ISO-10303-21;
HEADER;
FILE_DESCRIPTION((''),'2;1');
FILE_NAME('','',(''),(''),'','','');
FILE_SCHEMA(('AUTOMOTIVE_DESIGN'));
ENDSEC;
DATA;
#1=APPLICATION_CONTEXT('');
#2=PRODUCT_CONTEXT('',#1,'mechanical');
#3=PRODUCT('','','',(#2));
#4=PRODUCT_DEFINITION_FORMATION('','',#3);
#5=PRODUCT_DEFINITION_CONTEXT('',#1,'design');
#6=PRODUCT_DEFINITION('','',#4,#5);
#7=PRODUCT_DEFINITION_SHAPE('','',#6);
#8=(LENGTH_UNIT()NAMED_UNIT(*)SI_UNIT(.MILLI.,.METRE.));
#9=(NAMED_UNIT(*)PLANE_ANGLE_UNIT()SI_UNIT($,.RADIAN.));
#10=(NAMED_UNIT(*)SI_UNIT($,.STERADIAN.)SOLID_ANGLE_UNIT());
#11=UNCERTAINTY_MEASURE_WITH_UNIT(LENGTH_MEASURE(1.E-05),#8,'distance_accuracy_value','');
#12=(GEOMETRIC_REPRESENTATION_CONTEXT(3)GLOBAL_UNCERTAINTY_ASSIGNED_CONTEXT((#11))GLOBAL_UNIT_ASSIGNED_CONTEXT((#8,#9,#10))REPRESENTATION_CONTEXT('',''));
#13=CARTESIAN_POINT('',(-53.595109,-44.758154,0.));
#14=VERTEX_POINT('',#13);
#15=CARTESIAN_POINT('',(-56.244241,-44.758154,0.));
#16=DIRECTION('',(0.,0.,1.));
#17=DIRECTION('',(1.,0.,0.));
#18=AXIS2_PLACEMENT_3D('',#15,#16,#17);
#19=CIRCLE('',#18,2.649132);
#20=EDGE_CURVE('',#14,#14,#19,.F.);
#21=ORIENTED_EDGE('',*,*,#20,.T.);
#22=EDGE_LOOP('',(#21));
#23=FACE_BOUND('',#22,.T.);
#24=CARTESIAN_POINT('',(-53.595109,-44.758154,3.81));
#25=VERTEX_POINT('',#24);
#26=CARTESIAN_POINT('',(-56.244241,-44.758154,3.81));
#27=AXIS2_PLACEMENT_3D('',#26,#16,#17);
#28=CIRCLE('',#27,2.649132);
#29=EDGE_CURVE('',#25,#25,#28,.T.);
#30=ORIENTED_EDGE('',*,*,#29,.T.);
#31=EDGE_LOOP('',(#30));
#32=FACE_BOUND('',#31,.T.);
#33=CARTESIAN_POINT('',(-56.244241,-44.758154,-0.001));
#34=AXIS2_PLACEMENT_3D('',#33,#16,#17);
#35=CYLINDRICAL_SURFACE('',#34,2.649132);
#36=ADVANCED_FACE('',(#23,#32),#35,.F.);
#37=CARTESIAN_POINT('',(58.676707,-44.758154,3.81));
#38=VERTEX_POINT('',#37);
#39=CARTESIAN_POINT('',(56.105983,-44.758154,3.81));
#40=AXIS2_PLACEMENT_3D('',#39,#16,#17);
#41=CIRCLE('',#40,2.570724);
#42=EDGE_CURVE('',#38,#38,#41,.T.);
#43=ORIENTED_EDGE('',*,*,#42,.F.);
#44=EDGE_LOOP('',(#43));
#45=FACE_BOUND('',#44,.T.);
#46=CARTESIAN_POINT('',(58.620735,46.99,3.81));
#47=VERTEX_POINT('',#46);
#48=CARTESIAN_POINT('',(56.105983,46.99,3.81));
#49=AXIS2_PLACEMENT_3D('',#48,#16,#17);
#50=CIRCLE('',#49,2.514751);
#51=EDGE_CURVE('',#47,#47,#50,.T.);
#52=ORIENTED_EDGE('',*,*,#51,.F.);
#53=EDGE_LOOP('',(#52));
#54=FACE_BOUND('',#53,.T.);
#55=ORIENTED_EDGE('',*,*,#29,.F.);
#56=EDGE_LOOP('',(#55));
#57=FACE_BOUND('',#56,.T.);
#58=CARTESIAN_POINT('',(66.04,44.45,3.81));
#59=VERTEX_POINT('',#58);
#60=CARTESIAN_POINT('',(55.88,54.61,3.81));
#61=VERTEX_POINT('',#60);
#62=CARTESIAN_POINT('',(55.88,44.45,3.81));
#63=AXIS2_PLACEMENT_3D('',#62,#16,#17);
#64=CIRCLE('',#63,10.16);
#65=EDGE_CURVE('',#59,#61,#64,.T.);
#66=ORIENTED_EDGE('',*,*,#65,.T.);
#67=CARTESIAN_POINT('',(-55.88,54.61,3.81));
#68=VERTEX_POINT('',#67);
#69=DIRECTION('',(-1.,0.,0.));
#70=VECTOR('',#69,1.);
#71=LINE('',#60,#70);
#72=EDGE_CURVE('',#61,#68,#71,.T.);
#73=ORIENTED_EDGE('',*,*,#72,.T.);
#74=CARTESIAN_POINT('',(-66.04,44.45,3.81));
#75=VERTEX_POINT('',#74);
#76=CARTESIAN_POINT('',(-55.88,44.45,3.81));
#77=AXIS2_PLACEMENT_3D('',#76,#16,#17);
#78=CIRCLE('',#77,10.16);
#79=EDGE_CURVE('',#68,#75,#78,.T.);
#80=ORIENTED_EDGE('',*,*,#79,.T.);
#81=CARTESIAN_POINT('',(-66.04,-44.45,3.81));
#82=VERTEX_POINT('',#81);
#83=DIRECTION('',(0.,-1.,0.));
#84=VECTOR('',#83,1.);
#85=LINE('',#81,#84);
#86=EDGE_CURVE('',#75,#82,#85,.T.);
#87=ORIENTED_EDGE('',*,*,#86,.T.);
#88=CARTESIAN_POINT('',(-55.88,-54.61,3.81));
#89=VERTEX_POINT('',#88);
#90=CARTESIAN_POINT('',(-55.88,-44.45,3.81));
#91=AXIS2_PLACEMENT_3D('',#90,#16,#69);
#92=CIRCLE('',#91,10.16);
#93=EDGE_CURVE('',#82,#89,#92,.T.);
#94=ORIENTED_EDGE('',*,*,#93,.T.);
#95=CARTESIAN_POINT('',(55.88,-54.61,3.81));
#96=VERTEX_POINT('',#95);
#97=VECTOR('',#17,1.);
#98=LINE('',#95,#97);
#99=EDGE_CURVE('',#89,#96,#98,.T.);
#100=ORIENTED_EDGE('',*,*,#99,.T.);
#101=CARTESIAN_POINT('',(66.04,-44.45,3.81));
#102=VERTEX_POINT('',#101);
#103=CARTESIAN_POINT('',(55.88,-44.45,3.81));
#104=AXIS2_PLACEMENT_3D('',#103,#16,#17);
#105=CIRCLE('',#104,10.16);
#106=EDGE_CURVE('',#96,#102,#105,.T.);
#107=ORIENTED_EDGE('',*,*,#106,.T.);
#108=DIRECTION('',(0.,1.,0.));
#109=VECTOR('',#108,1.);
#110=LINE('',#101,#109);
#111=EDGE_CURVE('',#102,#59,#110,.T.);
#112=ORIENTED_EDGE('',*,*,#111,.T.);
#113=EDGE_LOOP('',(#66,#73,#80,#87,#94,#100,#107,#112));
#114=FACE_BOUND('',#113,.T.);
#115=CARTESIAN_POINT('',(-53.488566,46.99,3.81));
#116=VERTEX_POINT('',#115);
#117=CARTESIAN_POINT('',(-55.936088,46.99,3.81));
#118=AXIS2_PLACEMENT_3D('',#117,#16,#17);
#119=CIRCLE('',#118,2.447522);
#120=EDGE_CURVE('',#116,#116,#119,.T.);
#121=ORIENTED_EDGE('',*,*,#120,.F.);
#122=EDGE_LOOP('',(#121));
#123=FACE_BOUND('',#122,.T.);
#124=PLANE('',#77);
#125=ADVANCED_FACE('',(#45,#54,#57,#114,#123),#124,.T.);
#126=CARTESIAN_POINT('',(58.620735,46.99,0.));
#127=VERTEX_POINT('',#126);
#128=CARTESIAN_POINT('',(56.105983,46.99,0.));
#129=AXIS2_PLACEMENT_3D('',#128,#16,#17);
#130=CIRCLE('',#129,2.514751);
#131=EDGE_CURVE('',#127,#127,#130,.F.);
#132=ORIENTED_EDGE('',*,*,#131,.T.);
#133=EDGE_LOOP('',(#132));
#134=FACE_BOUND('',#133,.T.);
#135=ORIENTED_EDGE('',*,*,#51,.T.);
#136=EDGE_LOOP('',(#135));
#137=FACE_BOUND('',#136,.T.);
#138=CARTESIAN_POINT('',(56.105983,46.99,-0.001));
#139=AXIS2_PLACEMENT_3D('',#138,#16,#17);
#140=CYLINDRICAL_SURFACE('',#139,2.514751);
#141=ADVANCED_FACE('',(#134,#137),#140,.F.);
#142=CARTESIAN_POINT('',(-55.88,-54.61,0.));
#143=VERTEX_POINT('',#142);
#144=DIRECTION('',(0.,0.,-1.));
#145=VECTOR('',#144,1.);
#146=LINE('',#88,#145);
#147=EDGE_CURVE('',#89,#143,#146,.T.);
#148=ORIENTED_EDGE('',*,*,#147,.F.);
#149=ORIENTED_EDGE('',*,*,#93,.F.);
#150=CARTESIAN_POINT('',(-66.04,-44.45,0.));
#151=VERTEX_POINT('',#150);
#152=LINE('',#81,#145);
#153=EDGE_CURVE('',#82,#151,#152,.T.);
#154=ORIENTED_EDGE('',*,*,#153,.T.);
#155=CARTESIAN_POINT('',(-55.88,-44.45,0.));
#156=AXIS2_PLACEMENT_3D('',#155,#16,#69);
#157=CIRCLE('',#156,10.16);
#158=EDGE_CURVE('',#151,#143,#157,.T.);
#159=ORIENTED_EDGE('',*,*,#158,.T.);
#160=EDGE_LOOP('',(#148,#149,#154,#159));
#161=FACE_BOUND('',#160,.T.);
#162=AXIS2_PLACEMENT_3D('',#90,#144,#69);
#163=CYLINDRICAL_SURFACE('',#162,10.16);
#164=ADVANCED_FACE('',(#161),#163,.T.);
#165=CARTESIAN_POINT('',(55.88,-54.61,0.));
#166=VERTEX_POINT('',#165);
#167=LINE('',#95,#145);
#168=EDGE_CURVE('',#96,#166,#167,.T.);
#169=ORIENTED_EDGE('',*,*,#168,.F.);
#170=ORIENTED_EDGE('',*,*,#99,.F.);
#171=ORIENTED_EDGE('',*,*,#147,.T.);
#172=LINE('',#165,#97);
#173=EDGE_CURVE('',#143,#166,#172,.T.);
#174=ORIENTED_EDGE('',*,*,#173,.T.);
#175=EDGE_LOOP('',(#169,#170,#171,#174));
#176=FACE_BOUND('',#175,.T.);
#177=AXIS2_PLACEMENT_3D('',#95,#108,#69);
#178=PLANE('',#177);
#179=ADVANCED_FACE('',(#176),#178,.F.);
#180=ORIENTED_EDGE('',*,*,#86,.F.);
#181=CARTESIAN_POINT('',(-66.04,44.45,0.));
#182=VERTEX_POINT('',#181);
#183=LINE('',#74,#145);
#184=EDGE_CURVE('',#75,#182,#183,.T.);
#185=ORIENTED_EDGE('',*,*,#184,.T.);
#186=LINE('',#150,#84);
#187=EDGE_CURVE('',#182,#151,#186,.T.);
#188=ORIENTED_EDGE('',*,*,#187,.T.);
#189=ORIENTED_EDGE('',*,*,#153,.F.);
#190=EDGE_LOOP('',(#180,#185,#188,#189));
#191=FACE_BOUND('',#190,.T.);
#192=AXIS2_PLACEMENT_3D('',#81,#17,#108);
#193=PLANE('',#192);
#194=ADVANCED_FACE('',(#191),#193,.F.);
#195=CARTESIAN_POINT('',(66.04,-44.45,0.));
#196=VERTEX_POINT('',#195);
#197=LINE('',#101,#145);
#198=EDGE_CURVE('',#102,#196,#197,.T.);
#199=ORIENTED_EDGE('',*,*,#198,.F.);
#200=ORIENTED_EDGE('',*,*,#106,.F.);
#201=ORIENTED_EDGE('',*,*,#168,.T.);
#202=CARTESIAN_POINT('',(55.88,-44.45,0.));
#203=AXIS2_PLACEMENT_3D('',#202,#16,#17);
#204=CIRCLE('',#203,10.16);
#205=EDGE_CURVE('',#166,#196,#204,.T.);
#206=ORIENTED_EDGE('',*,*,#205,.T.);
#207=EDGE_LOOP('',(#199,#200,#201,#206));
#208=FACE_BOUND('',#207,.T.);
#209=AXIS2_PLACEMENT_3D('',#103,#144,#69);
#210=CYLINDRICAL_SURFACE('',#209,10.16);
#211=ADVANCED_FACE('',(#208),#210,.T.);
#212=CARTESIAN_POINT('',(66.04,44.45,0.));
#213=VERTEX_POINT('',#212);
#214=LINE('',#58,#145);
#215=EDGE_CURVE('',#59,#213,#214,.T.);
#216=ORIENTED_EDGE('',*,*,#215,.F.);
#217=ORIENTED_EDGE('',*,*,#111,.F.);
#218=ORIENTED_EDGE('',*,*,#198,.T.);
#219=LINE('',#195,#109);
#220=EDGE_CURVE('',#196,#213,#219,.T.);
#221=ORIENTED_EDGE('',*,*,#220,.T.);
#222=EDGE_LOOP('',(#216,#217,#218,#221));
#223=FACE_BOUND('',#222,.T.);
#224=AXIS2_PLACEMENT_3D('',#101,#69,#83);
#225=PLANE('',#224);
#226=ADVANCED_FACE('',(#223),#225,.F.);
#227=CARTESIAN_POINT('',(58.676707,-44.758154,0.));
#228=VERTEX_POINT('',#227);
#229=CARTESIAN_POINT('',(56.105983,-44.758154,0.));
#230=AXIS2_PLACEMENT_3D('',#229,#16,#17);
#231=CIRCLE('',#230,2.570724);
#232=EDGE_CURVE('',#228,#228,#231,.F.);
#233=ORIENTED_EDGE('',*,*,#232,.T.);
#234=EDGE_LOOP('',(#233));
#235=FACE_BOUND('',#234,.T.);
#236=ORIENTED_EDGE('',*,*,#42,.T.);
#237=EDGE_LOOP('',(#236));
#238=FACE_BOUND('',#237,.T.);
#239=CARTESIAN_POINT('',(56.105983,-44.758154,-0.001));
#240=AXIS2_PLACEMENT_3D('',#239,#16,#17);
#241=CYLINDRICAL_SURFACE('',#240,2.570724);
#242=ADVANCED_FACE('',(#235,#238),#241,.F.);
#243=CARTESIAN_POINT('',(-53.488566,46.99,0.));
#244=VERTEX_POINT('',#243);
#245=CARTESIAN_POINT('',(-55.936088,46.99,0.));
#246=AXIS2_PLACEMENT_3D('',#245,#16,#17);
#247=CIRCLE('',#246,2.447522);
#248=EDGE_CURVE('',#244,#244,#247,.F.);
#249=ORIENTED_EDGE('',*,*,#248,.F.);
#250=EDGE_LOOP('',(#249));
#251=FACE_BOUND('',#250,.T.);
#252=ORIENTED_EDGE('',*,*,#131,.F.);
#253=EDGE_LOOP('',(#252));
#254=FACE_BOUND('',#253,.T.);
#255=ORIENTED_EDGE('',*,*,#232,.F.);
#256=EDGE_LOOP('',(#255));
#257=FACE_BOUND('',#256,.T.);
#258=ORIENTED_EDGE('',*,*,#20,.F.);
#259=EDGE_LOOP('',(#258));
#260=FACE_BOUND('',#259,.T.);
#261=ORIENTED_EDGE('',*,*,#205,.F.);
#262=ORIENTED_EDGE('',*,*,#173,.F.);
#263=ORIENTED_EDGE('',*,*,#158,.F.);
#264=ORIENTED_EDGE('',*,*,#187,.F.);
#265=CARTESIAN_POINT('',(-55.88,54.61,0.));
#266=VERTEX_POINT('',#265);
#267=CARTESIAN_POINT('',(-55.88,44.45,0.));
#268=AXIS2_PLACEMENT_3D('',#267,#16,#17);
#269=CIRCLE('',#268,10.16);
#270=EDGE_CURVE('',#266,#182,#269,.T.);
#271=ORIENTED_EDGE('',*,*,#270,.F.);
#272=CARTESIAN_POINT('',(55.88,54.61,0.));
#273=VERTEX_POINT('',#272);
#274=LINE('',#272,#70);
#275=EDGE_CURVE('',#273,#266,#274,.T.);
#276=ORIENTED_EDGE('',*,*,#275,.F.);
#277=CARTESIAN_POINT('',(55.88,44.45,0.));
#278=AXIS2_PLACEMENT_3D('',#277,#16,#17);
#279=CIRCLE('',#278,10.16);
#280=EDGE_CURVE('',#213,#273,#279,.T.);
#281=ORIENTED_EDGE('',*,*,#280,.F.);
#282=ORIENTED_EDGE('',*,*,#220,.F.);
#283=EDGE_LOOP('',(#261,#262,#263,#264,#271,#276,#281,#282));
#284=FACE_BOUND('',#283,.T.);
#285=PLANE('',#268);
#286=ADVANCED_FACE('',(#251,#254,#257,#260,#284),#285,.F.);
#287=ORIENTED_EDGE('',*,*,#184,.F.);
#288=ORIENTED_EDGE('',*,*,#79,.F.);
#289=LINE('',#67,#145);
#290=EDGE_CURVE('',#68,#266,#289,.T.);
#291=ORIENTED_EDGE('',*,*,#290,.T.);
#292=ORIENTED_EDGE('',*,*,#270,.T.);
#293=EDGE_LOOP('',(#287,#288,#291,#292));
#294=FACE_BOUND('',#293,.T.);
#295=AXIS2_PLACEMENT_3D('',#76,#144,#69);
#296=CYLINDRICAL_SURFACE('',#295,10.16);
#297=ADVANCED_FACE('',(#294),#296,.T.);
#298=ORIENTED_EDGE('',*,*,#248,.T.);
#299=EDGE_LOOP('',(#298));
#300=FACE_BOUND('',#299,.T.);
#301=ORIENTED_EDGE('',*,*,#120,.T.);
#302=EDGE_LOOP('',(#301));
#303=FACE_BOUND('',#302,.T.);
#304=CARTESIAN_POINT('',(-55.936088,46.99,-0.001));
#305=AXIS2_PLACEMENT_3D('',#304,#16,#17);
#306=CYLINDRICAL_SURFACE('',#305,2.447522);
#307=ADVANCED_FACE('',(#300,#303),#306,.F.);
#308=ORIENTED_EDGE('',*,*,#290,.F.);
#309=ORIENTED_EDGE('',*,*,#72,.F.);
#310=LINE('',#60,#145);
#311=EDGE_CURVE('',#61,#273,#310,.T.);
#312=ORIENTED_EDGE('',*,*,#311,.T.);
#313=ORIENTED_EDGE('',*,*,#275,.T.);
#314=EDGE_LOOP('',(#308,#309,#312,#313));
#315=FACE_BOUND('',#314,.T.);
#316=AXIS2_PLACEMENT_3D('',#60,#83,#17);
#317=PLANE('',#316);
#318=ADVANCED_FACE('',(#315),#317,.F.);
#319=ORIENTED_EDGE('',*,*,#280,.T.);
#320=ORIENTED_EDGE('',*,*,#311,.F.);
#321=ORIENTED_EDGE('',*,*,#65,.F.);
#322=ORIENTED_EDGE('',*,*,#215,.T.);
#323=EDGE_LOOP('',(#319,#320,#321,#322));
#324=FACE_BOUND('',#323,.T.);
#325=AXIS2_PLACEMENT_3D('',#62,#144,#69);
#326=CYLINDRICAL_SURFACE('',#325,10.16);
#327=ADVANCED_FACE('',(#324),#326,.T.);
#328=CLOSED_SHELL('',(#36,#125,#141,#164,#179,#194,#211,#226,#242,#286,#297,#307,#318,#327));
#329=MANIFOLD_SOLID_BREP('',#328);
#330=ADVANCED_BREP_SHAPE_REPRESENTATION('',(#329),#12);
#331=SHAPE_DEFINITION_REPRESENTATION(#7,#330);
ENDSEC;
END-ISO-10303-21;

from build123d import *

# Parameters (mm, degrees)
BOSS_EXTRUDE1_DEPTH = 3.81
CUT_EXTRUDE1_REACH  = 87.779
SKETCH2_R           = 2.447521694
SKETCH2_R_2         = 2.514751493
SKETCH2_R_3         = 2.570723965
SKETCH2_R_4         = 2.649131916


with BuildPart() as part:
    # Sketch1 → Boss-Extrude1 (new body)
    with BuildSketch(Plane.XY):
        with BuildLine():
            Line((55.88, -54.61), (-55.88, -54.61))
            ThreePointArc((-55.88, -54.61), (-63.064204897, -51.634204897), (-66.04, -44.45))
            Line((-66.04, -44.45), (-66.04, 44.45))
            ThreePointArc((-66.04, 44.45), (-63.064204897, 51.634204897), (-55.88, 54.61))
            Line((-55.88, 54.61), (55.88, 54.61))
            ThreePointArc((55.88, 54.61), (63.064204897, 51.634204897), (66.04, 44.45))
            Line((66.04, 44.45), (66.04, -44.45))
            ThreePointArc((66.04, -44.45), (63.064204897, -51.634204897), (55.88, -54.61))
        make_face()
    extrude(amount=BOSS_EXTRUDE1_DEPTH)

    # Sketch2 → Cut-Extrude1 (cut, up to next)
    with BuildSketch(Plane.XY.offset(3.81), mode=Mode.PRIVATE) as cut_extrude1_sk1:
        with Locations((-55.936087501, 46.99)):
            Circle(SKETCH2_R)
    cut_extrude1_tool1 = extrude(cut_extrude1_sk1.sketch, amount=-CUT_EXTRUDE1_REACH, mode=Mode.PRIVATE) & part.part
    # Sketch2 → Cut-Extrude1 (cut, up to next)
    with BuildSketch(Plane.XY.offset(3.81), mode=Mode.PRIVATE) as cut_extrude1_sk2:
        with Locations((56.105983157, 46.99)):
            Circle(SKETCH2_R_2)
    cut_extrude1_tool2 = extrude(cut_extrude1_sk2.sketch, amount=-CUT_EXTRUDE1_REACH, mode=Mode.PRIVATE) & part.part
    # Sketch2 → Cut-Extrude1 (cut, up to next)
    with BuildSketch(Plane.XY.offset(3.81), mode=Mode.PRIVATE) as cut_extrude1_sk3:
        with Locations((56.105983157, -44.758153673)):
            Circle(SKETCH2_R_3)
    cut_extrude1_tool3 = extrude(cut_extrude1_sk3.sketch, amount=-CUT_EXTRUDE1_REACH, mode=Mode.PRIVATE) & part.part
    # Sketch2 → Cut-Extrude1 (cut, up to next)
    with BuildSketch(Plane.XY.offset(3.81), mode=Mode.PRIVATE) as cut_extrude1_sk4:
        with Locations((-56.244241173, -44.758153673)):
            Circle(SKETCH2_R_4)
    cut_extrude1_tool4 = extrude(cut_extrude1_sk4.sketch, amount=-CUT_EXTRUDE1_REACH, mode=Mode.PRIVATE) & part.part
    add(cut_extrude1_tool1.solids().sort_by_distance((-55.936088, 46.99, 3.81))[0], mode=Mode.SUBTRACT)
    add(cut_extrude1_tool2.solids().sort_by_distance((56.105983, 46.99, 3.81))[0], mode=Mode.SUBTRACT)
    add(cut_extrude1_tool3.solids().sort_by_distance((56.105983, -44.758154, 3.81))[0], mode=Mode.SUBTRACT)
    add(cut_extrude1_tool4.solids().sort_by_distance((-56.244241, -44.758154, 3.81))[0], mode=Mode.SUBTRACT)


solid = part.part
